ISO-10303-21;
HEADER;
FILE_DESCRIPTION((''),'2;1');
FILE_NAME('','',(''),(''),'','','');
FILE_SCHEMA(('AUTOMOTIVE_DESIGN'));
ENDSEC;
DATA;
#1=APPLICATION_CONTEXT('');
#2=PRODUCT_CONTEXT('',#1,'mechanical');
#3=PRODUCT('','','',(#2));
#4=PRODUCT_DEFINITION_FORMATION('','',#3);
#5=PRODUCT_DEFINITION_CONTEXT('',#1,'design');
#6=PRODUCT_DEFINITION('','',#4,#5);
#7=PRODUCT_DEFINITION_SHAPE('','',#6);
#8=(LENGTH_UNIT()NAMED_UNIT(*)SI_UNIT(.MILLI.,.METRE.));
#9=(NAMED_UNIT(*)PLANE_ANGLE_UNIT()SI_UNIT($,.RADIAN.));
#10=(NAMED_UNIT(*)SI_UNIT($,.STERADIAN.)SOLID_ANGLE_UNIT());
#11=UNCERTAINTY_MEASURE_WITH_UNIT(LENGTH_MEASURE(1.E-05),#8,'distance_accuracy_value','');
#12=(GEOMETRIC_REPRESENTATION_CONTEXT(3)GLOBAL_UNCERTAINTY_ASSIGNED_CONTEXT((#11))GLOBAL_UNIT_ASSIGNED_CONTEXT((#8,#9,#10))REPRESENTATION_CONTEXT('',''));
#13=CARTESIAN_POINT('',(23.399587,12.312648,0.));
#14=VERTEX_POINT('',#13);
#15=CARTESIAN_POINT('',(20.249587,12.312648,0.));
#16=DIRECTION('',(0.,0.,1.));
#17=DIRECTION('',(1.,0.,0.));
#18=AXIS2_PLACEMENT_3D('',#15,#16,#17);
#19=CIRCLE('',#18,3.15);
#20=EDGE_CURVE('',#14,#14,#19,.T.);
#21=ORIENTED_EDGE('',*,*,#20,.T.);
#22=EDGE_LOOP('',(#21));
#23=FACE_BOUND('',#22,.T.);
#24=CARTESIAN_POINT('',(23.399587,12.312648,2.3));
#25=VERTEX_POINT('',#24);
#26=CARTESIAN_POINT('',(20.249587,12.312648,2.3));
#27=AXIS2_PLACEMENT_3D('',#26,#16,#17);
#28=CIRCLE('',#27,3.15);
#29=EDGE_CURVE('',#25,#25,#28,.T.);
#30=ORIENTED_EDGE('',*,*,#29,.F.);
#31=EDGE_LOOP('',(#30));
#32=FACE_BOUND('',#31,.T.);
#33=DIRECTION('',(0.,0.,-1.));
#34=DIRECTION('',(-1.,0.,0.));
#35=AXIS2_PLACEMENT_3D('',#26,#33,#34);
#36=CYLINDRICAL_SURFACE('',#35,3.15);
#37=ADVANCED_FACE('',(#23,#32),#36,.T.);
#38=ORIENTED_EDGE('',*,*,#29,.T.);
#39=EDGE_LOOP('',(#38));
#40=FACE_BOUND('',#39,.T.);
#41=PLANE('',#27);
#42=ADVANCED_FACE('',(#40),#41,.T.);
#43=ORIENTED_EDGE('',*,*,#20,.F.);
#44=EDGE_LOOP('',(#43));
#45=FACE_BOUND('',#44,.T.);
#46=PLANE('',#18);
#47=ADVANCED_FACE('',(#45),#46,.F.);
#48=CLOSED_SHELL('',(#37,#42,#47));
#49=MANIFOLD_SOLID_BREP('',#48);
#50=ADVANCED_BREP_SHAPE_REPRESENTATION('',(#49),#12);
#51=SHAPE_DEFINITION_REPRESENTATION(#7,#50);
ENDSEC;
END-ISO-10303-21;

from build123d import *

# Parameters (mm, degrees)
SKETCH_1_R      = 3.15
EXTRUDE_1_DEPTH = 2.3


with BuildPart() as part:
    # 草图1 → 凸台-拉伸1 (new body)
    with BuildSketch(Plane.XY):
        with Locations((20.249587155, 12.312648367)):
            Circle(SKETCH_1_R)
    extrude(amount=EXTRUDE_1_DEPTH)


solid = part.part
